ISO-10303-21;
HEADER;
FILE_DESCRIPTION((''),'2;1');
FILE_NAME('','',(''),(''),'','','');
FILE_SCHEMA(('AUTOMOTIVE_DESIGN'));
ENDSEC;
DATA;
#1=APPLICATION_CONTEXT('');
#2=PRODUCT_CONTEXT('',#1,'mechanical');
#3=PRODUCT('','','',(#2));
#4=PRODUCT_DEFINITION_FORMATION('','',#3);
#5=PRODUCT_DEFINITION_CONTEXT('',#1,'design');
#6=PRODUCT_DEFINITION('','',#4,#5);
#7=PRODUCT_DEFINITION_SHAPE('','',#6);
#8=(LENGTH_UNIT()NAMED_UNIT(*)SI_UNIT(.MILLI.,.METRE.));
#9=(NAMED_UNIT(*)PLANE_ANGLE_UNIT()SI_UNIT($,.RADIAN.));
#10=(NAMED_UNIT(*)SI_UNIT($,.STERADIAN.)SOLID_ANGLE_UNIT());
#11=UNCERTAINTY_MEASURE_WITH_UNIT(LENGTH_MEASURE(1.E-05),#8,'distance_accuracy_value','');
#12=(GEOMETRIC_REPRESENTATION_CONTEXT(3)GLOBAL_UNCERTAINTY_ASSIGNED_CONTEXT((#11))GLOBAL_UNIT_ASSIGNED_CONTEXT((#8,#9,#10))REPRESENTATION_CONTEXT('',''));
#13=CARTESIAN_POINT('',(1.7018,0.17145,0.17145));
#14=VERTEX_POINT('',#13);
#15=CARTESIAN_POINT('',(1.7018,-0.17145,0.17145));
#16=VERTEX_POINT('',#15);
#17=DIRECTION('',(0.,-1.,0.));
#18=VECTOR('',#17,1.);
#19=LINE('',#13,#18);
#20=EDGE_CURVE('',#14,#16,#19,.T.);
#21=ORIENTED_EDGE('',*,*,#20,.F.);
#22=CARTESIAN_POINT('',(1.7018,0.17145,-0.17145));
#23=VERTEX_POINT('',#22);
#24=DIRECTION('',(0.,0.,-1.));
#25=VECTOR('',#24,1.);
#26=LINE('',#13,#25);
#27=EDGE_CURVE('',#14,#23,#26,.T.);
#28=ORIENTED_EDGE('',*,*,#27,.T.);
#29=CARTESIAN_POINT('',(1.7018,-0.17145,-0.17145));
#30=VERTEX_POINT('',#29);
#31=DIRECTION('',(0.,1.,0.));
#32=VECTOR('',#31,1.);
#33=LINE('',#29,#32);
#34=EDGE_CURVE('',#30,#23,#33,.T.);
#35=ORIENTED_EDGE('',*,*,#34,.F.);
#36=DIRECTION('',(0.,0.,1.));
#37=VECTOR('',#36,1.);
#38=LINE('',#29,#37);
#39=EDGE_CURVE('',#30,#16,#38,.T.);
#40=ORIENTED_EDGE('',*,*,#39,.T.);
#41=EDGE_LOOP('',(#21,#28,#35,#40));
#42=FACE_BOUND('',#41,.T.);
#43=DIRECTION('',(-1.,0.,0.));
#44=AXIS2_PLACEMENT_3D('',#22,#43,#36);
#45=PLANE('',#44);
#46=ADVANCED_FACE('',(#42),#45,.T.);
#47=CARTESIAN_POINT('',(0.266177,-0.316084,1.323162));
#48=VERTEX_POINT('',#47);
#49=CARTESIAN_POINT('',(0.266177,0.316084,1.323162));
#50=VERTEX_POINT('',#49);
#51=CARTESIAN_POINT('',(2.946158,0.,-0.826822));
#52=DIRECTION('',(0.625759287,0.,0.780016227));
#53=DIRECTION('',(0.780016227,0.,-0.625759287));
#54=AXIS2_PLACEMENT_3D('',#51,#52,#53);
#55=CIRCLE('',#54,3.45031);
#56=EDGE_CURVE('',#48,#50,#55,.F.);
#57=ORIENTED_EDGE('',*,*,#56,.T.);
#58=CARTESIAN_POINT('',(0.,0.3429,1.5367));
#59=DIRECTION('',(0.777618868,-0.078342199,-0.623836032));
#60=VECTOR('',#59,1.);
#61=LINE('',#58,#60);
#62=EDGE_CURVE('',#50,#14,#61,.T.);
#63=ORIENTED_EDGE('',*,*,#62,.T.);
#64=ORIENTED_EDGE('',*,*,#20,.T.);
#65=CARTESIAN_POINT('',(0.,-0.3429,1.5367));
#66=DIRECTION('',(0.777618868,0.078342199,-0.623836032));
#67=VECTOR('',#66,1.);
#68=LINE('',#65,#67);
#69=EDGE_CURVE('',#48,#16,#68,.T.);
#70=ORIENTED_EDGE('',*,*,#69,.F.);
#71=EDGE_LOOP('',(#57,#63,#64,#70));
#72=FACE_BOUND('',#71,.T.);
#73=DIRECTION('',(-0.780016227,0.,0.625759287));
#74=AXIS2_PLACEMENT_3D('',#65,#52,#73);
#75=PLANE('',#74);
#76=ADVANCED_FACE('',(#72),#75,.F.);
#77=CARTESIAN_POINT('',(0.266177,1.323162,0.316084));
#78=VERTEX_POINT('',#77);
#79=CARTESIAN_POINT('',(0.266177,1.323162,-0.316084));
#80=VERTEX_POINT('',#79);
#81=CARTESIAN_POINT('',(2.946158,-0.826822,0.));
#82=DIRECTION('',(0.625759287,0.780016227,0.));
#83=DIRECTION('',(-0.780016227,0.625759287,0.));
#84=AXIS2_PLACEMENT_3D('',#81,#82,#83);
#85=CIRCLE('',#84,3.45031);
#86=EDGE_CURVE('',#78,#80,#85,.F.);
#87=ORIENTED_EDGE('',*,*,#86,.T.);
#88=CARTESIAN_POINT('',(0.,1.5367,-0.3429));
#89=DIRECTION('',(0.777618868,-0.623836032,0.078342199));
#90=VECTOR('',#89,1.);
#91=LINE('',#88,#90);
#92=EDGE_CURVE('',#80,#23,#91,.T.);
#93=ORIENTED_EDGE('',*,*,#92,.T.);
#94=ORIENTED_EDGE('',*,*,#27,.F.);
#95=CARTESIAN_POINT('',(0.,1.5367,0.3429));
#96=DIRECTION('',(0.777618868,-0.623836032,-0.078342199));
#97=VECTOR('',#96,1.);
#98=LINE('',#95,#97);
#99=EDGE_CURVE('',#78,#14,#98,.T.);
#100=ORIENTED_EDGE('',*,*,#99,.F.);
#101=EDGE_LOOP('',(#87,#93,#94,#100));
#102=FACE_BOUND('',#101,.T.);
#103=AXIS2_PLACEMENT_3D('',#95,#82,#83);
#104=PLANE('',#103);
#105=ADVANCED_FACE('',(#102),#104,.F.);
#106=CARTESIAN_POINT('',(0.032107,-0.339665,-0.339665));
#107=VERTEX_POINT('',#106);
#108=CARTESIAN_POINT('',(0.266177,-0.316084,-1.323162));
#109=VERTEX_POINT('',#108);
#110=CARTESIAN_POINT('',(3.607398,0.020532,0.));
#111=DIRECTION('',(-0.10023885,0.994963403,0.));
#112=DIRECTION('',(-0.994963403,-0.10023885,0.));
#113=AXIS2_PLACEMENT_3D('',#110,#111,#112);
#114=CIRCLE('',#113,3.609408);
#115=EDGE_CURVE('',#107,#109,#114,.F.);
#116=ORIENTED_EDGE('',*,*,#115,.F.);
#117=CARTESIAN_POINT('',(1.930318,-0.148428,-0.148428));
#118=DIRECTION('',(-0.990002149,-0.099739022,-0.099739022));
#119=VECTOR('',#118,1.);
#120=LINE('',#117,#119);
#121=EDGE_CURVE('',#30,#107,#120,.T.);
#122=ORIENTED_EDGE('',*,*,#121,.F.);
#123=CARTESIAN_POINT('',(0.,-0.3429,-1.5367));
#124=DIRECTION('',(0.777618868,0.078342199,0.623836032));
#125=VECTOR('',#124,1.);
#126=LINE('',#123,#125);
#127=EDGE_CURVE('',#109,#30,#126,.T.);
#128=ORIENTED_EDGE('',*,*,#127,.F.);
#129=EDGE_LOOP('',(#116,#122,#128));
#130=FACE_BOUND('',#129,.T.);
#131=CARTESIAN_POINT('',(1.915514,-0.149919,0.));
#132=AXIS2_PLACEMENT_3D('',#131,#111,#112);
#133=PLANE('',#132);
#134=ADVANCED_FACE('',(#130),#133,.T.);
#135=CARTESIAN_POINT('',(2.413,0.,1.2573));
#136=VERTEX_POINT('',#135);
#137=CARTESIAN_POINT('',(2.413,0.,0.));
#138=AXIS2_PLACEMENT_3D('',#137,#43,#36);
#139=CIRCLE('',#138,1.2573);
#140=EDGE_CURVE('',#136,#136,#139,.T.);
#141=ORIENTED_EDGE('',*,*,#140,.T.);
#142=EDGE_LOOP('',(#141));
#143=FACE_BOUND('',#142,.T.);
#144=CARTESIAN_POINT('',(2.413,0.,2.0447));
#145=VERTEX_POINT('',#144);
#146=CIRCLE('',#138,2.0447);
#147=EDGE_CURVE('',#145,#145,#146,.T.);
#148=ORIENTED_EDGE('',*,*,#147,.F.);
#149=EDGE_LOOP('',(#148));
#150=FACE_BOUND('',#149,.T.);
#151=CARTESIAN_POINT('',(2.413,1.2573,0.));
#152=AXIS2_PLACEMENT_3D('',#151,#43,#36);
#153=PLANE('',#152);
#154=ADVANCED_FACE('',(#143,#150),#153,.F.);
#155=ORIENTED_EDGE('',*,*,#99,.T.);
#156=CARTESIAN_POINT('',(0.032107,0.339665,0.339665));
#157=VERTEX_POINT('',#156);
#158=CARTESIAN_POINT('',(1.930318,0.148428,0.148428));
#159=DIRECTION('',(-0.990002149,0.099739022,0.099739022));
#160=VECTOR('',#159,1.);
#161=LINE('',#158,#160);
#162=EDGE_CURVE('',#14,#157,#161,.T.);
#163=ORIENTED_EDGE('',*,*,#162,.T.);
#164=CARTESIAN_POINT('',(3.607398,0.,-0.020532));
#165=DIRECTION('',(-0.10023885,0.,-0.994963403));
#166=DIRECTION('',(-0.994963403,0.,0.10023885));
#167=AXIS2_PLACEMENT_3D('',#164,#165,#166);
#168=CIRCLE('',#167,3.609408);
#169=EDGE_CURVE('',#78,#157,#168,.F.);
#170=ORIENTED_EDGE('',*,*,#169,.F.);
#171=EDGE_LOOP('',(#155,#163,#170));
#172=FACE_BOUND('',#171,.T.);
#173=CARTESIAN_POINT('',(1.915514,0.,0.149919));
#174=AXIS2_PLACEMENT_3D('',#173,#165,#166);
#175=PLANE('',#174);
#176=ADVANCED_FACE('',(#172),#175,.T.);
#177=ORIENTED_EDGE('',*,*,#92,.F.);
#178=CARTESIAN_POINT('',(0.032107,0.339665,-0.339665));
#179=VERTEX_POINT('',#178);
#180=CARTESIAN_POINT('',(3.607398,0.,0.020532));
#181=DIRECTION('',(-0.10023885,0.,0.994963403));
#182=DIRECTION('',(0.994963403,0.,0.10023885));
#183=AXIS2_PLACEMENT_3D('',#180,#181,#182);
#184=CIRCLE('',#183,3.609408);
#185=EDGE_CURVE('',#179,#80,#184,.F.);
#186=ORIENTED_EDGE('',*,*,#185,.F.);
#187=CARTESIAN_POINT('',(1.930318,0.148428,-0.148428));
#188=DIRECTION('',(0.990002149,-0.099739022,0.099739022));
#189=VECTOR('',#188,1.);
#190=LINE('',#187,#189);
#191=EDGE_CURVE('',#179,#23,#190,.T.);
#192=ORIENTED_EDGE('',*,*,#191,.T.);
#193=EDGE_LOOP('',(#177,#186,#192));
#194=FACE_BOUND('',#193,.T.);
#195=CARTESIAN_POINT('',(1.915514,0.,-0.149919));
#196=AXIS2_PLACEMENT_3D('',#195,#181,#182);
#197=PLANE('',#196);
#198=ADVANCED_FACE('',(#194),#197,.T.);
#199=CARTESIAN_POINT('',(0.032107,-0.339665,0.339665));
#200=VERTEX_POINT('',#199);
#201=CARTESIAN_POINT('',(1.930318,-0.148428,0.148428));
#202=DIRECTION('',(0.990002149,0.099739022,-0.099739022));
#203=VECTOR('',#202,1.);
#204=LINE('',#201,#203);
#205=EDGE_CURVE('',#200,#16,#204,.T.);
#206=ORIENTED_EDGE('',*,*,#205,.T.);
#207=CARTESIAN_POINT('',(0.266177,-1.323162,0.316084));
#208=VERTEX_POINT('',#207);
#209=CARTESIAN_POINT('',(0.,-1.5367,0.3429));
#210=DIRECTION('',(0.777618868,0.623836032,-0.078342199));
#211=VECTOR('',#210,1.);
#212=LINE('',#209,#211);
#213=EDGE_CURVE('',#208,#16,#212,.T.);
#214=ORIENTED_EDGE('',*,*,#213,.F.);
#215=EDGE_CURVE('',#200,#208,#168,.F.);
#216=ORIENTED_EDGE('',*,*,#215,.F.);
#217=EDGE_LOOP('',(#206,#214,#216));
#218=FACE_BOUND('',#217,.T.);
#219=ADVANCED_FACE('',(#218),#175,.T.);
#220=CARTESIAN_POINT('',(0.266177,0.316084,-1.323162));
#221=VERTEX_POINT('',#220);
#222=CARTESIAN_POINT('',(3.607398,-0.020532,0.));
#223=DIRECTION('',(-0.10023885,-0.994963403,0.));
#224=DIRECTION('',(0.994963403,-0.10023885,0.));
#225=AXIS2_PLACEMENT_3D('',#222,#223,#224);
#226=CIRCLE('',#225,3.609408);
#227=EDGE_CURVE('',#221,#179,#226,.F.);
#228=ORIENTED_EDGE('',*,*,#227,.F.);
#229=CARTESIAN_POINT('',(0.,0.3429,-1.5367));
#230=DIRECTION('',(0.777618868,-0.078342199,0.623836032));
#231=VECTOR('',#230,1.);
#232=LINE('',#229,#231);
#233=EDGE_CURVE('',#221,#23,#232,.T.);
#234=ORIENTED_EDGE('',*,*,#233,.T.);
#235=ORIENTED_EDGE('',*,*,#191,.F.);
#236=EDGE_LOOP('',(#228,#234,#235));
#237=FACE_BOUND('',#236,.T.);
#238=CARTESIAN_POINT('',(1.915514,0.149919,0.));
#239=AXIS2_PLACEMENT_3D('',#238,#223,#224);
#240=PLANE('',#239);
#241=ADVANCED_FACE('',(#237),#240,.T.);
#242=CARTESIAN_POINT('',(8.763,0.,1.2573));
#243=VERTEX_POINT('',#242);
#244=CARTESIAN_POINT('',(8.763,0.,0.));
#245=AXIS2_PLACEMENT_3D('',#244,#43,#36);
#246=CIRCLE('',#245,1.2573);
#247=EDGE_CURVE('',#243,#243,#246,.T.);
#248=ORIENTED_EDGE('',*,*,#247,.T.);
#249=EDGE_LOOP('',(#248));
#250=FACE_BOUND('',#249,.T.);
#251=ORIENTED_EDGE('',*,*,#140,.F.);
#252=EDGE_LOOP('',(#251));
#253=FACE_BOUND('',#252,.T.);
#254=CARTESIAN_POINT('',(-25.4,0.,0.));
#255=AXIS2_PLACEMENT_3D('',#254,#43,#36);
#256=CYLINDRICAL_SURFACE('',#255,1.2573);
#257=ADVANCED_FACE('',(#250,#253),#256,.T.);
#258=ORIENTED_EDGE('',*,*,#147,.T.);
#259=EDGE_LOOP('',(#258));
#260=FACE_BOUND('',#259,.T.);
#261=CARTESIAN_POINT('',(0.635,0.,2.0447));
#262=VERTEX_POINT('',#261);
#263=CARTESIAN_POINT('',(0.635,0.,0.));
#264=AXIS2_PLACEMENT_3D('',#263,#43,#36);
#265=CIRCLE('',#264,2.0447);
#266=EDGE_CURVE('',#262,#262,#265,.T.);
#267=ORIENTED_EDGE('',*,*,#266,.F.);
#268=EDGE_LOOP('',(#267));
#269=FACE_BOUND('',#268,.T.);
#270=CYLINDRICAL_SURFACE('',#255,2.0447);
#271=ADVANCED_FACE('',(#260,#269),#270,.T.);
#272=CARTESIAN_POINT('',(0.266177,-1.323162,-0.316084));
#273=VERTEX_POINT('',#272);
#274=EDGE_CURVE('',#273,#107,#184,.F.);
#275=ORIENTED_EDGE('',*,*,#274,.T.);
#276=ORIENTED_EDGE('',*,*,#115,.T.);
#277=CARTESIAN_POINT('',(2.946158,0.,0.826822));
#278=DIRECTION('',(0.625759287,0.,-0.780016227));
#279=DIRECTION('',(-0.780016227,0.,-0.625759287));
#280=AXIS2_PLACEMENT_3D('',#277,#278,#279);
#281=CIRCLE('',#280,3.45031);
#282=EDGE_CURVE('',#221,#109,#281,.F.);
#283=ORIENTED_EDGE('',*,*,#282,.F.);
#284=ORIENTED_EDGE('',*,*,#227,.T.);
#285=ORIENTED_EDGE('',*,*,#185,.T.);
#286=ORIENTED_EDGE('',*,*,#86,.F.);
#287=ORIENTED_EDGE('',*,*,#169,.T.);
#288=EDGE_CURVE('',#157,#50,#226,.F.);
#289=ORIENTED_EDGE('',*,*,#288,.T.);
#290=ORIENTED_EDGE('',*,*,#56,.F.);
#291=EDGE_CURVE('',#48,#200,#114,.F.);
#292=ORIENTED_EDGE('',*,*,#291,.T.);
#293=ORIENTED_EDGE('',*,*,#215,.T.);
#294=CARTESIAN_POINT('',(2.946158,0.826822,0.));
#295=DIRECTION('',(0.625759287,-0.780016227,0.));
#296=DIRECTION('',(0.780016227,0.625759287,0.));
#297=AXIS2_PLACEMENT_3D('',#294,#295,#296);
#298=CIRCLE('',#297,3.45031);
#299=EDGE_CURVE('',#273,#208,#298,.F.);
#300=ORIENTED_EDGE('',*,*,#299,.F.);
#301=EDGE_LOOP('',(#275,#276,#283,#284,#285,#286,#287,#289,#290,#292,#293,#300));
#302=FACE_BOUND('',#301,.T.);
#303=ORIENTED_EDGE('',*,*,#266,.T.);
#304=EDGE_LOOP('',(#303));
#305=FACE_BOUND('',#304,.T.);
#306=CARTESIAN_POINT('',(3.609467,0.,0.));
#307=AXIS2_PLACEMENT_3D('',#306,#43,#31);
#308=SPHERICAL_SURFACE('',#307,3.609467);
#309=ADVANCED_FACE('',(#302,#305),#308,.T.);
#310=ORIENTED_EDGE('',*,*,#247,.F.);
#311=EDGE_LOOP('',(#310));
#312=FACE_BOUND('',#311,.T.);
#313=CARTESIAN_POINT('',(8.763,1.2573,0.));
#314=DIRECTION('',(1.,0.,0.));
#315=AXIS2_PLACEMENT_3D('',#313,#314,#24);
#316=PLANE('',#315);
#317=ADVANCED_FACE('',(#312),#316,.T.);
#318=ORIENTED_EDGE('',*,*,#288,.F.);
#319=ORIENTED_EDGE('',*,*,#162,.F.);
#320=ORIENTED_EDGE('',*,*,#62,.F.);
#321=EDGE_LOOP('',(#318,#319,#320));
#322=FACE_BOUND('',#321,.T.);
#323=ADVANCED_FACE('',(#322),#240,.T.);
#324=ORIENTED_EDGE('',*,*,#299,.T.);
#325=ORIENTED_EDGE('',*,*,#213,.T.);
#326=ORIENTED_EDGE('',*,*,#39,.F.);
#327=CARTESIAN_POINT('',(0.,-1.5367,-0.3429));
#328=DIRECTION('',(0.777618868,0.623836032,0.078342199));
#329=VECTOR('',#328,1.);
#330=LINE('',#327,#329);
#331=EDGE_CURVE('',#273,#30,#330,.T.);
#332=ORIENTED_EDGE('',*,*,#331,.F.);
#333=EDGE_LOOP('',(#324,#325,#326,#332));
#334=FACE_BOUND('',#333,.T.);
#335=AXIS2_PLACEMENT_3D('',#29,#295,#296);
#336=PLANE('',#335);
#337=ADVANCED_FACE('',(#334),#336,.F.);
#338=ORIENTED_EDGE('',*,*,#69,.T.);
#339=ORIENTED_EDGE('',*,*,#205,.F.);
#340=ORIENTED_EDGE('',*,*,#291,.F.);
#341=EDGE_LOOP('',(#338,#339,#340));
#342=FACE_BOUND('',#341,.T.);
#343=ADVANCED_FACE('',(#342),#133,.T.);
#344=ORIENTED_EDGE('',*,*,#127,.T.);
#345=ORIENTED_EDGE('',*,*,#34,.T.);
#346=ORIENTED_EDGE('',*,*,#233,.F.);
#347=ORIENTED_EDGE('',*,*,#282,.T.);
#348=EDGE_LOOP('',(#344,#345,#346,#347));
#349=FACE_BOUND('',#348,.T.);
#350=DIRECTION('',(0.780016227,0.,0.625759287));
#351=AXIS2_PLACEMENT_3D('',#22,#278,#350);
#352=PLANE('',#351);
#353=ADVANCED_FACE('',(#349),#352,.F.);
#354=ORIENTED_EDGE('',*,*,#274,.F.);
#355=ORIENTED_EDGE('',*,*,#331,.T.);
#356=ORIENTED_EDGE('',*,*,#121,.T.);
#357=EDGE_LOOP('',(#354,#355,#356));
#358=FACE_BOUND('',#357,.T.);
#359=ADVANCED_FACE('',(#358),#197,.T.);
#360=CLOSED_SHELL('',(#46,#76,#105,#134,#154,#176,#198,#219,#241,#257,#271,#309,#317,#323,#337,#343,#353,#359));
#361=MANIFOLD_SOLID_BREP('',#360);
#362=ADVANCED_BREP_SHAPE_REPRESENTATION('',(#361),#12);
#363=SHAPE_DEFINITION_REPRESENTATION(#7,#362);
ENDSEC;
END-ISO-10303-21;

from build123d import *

# Parameters (mm, degrees)
CIRPATTERN1_COUNT = 2
CIRPATTERN1_ANGLE = 90


with BuildPart() as part:
    # BodySke → Base-Revolve (revolve)
    with BuildSketch(Plane.XY, mode=Mode.PRIVATE) as base_revolve_sk:
        with BuildLine():
            Line((2.413, 1.2573), (2.413, 2.0447))
            Line((2.413, 2.0447), (0.635, 2.0447))
            ThreePointArc((0.635, 2.0447), (0.162403576, 1.070516591), (0, 0))
            Line((0, 0), (8.763, 0))
            Line((8.763, 0), (8.763, 1.2573))
            Line((8.763, 1.2573), (2.413, 1.2573))
        make_face()
    revolve(base_revolve_sk.sketch.rotate(Axis((-25.4, 0, 0), (1, 0, 0)), 90), axis=Axis((-25.4, 0, 0), (1, 0, 0)))

    # Sketch3 → Cross section 0
    with BuildSketch(Plane(origin=(0, 0, 0), x_dir=(0, 0, -1), z_dir=(1, 0, 0))):
        with BuildLine():
            Line((0.3429, -1.5367), (-0.3429, -1.5367))
            Line((-0.3429, -1.5367), (-0.3429, 1.5367))
            Line((-0.3429, 1.5367), (0.3429, 1.5367))
            Line((0.3429, 1.5367), (0.3429, -1.5367))
        make_face()
    # Sketch4 → Cross section 1
    with BuildSketch(Plane(origin=(1.7018, 0, 0), x_dir=(0, 0, -1), z_dir=(1, 0, 0))):
        with BuildLine():
            Line((0.17145, -0.17145), (-0.17145, -0.17145))
            Line((-0.17145, -0.17145), (-0.17145, 0.17145))
            Line((-0.17145, 0.17145), (0.17145, 0.17145))
            Line((0.17145, 0.17145), (0.17145, -0.17145))
        make_face()
    cross = loft(mode=Mode.SUBTRACT)

    # CirPattern1: Cross ×2 about axis
    cirpattern1_axis = Axis((0, 0, 0), (1, 0, 0))
    for i in range(1, CIRPATTERN1_COUNT):
        add(cross.rotate(cirpattern1_axis, i * CIRPATTERN1_ANGLE / (CIRPATTERN1_COUNT - 1)), mode=Mode.SUBTRACT)


solid = part.part
